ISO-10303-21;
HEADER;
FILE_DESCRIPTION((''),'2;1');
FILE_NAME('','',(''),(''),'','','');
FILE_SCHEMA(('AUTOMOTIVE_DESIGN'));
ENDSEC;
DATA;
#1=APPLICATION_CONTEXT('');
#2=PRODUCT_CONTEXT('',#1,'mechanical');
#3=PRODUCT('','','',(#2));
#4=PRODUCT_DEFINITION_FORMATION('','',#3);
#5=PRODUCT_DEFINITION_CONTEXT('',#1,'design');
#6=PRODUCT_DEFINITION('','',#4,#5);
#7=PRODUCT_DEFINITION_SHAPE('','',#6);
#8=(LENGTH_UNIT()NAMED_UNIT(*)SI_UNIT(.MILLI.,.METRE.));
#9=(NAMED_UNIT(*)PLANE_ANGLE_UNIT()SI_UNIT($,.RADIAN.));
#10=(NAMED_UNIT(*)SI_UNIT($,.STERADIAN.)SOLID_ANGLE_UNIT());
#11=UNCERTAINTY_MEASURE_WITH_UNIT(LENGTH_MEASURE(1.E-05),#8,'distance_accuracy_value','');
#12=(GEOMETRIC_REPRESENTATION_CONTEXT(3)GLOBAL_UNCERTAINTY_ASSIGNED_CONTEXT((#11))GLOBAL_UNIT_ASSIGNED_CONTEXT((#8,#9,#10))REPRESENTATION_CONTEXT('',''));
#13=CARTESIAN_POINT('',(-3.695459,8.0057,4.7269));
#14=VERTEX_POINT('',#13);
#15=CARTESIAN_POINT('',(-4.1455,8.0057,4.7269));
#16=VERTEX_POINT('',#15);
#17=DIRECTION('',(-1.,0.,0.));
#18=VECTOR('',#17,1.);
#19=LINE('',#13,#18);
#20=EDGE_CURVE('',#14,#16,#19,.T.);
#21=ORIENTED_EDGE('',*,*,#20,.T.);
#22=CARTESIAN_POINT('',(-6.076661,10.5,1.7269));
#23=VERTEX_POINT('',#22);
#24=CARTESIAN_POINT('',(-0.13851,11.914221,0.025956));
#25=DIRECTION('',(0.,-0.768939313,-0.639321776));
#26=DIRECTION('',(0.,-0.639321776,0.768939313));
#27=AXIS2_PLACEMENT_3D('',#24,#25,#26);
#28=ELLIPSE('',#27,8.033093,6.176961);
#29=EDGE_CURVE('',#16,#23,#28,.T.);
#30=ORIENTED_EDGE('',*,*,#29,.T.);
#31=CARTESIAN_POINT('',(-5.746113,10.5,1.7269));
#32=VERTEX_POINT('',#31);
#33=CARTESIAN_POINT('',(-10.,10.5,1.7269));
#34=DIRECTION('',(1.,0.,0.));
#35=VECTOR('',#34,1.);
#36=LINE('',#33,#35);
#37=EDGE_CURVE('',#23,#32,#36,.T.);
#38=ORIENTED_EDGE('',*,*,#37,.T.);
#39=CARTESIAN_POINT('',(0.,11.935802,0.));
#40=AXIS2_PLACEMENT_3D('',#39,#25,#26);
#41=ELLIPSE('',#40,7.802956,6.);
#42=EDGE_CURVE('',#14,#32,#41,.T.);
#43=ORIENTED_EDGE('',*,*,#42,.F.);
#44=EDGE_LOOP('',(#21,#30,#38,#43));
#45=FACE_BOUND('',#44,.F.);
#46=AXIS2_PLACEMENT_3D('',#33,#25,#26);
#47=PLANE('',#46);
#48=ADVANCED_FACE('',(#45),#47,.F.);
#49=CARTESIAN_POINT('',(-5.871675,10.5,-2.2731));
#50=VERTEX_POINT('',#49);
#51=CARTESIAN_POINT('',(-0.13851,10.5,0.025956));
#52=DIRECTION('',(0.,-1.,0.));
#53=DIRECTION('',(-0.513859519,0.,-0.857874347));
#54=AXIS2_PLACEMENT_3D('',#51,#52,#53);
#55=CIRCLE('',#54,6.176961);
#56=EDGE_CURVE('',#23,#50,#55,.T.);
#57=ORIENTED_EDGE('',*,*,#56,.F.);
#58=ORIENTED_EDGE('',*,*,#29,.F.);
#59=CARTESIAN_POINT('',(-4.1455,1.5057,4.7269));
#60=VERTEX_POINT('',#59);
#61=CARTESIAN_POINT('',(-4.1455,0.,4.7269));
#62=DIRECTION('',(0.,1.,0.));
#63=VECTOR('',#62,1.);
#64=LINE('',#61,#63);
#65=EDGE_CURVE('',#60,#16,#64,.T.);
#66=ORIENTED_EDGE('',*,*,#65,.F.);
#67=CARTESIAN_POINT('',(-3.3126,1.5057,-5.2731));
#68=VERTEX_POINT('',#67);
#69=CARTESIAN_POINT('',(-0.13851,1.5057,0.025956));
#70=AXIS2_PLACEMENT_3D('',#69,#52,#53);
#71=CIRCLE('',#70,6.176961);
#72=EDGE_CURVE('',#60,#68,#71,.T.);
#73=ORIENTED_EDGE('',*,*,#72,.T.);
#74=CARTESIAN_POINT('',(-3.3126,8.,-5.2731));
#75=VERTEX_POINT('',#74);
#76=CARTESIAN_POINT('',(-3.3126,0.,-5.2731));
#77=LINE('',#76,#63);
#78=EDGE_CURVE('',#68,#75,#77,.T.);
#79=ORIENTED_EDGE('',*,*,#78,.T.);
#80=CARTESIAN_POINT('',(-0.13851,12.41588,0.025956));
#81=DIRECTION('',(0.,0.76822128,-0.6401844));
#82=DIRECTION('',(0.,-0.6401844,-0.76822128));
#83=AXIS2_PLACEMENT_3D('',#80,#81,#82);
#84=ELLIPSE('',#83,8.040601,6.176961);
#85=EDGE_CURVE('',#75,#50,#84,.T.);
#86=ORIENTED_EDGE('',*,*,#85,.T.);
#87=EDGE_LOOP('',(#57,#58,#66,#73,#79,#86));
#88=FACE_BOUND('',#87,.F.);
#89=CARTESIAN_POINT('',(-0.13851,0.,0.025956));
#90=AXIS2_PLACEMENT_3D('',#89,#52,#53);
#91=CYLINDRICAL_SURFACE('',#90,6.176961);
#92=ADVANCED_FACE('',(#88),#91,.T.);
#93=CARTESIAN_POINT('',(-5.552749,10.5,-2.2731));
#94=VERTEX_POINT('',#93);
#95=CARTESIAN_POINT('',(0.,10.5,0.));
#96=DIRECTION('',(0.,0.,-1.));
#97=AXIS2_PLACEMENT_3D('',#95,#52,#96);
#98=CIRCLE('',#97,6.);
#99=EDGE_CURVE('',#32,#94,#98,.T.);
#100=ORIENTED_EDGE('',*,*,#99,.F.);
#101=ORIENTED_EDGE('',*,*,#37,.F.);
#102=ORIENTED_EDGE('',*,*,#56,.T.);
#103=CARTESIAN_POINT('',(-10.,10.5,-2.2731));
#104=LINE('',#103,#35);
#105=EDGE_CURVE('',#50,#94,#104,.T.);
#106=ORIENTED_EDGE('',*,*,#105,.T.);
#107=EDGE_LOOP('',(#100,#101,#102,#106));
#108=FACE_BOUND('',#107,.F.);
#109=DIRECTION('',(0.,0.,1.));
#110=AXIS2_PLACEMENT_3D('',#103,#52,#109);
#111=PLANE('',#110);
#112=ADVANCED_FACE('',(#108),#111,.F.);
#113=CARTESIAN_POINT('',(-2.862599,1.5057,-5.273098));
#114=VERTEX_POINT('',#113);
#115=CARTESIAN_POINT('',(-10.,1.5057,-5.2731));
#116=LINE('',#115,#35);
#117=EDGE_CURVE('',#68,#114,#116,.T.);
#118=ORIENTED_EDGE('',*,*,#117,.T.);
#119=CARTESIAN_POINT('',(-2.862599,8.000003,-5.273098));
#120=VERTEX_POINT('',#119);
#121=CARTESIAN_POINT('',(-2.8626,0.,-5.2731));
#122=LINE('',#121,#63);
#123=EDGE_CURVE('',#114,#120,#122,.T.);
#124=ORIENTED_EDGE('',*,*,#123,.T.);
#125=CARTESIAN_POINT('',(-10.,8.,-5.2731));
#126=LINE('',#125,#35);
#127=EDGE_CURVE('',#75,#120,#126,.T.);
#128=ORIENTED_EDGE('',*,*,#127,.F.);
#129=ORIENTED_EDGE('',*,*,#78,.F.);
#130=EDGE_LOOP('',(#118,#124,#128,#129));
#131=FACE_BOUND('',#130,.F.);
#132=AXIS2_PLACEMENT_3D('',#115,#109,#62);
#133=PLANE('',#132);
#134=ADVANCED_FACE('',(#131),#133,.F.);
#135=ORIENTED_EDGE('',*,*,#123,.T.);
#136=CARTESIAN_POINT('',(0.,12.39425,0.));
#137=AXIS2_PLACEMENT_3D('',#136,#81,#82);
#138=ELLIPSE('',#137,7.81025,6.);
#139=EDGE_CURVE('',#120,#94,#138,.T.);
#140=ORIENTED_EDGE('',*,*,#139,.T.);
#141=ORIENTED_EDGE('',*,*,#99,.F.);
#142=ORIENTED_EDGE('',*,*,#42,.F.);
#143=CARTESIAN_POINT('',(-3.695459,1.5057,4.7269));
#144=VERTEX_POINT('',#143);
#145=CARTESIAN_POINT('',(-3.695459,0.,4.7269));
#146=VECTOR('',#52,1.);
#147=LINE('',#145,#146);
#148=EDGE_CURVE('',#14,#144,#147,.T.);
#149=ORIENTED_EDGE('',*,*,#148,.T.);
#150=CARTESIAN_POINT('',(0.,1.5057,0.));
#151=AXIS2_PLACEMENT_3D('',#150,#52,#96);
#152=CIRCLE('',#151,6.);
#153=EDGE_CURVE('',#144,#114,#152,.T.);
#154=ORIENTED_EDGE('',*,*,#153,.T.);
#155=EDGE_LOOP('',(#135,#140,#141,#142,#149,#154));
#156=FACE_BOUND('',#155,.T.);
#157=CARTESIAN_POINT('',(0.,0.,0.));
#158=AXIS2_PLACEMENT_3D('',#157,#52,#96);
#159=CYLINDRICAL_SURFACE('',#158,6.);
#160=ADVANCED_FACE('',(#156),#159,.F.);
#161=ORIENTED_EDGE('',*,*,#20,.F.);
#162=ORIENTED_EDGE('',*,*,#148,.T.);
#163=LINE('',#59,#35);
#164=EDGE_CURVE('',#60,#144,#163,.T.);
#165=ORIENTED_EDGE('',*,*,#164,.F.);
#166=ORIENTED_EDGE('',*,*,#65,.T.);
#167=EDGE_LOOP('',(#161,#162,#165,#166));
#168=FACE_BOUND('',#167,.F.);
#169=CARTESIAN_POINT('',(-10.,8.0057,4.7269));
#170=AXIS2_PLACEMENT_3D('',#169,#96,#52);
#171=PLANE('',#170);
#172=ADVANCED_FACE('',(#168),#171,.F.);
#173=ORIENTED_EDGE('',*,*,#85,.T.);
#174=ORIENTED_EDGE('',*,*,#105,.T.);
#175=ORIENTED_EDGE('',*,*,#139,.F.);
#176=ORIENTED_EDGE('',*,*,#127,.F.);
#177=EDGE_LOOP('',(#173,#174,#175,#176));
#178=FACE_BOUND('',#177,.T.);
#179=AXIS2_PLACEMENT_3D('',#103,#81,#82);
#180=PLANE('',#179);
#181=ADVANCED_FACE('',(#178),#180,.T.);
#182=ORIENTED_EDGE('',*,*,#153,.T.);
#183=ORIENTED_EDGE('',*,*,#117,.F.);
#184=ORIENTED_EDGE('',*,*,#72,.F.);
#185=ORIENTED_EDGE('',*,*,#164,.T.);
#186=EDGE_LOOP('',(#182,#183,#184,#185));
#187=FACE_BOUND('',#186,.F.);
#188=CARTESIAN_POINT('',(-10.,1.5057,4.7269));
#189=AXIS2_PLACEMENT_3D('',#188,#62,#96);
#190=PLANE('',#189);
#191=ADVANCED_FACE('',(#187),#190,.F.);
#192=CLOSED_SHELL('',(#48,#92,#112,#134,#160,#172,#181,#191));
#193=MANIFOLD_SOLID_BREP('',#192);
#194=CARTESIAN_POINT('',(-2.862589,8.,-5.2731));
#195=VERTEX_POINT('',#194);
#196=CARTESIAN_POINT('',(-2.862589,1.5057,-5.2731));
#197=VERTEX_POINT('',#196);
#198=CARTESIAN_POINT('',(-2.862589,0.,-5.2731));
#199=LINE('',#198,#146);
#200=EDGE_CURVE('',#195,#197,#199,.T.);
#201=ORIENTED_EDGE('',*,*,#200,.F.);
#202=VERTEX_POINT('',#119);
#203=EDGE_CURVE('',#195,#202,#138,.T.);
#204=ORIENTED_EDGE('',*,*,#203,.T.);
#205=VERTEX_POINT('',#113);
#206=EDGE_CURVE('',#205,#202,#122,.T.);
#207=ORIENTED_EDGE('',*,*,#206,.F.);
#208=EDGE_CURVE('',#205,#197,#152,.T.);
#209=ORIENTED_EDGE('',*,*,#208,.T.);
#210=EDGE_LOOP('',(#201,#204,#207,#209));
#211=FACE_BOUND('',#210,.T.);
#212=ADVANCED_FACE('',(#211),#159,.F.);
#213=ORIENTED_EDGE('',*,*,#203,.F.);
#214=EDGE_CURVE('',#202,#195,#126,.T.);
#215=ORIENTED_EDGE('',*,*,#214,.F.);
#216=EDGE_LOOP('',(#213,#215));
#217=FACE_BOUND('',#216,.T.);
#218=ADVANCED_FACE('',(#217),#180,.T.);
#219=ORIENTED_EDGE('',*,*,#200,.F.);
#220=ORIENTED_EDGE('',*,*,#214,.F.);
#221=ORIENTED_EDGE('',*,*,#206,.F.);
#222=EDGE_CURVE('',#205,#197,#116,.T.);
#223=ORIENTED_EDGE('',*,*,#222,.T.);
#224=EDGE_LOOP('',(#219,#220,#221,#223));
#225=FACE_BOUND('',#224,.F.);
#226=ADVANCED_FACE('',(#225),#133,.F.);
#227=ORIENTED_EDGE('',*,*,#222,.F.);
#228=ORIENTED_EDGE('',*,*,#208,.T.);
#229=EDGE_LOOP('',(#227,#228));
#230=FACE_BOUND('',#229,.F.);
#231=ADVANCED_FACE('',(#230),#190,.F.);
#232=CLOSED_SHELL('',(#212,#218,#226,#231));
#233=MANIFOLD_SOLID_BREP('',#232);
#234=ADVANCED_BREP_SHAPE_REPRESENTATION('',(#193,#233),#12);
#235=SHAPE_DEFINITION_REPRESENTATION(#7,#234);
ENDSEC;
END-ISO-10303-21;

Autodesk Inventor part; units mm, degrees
ref_plane "YZ Plane" through (0, 0, 0) normal (1, 0, 0) x (0, 1, 0)
ref_plane "XZ Plane" through (0, 0, 0) normal (0, 1, 0) x (-1, 0, 0)
ref_plane "XY Plane" through (0, 0, 0) normal (0, 0, 1) x (1, 0, 0)
sketch "Sketch1" plane through (0, 0, 0) normal (0, 1, 0) x (-1, 0, 0)
  arc A0 (0, -6) -> (0, 6) centre (0, 0) ccw
  line L0 (0, 6) -> (0, -6)
  dimension "d0" = 12
extrude "Extrusion1" add sketch "Sketch1" along normal blind 12
ref_plane "Work Plane1" through (-10, 0, 6) normal (1, 0, 0) x (0, 0, -1)
sketch "Sketch2" plane through (-10, 0, 6) normal (1, 0, 0) x (0, 0, -1)
  line L0 (1.2731, 8.0057) -> (1.2731, 1.5057)
  line L1 (1.2731, 1.5057) -> (11.2731, 1.5057)
  line L2 (11.2731, 1.5057) -> (11.2731, 8)
  line L3 (8.2731, 10.5) -> (4.2731, 10.5)
  line L4 (8.2731, 10.5) -> (11.2731, 8)
  line L5 (4.2731, 10.5) -> (1.2731, 8.0057)
  point P0 (6, 0)
  dimension "d9" = 10
  dimension "d10" = 6.5
  dimension "d12" = 4
  dimension "d14" = 3
  dimension "d15" = 3
extrude "Extrusion2" add sketch "Sketch2" along normal blind 10
sketch "Sketch3" plane through (0, 0, 0) normal (0, 1, 0) x (-1, 0, 0)
  arc A0 (0, -6) -> (0, 6) centre (0, 0) ccw projected
  arc A1 (0, -6) -> (0, 6) centre (0, 0) ccw
  line L0 (0, 6) -> (0, -6) projected
  line L1 (0, -6) -> (0, 6)
extrude "Extrusion3" cut sketch "Sketch3" along normal through all both and the other way through all
sketch "Sketch4" plane through (0, 0, 0) normal (0, 1, 0) x (-1, 0, 0)
  line L0 (2.8626, -5.2731) -> (3.3126, -5.2731)
  line L1 (3.6955, 4.7269) -> (4.1455, 4.7269)
  arc A0 (3.3126, -5.2731) -> (4.1455, 4.7269) centre (0.1386, 0.0259) ccw
  arc A1 (2.8626, -5.2731) -> (3.6955, 4.7269) centre (7.9551, -0.6626) ccw
  point P0 (0, 0)
  dimension "d20" = 0.45
  dimension "d21" = 0.45
extrude "Extrusion4" cut sketch "Sketch4" along normal through all
properties part number "12mm_radius_mold_with_crystal_skull"
